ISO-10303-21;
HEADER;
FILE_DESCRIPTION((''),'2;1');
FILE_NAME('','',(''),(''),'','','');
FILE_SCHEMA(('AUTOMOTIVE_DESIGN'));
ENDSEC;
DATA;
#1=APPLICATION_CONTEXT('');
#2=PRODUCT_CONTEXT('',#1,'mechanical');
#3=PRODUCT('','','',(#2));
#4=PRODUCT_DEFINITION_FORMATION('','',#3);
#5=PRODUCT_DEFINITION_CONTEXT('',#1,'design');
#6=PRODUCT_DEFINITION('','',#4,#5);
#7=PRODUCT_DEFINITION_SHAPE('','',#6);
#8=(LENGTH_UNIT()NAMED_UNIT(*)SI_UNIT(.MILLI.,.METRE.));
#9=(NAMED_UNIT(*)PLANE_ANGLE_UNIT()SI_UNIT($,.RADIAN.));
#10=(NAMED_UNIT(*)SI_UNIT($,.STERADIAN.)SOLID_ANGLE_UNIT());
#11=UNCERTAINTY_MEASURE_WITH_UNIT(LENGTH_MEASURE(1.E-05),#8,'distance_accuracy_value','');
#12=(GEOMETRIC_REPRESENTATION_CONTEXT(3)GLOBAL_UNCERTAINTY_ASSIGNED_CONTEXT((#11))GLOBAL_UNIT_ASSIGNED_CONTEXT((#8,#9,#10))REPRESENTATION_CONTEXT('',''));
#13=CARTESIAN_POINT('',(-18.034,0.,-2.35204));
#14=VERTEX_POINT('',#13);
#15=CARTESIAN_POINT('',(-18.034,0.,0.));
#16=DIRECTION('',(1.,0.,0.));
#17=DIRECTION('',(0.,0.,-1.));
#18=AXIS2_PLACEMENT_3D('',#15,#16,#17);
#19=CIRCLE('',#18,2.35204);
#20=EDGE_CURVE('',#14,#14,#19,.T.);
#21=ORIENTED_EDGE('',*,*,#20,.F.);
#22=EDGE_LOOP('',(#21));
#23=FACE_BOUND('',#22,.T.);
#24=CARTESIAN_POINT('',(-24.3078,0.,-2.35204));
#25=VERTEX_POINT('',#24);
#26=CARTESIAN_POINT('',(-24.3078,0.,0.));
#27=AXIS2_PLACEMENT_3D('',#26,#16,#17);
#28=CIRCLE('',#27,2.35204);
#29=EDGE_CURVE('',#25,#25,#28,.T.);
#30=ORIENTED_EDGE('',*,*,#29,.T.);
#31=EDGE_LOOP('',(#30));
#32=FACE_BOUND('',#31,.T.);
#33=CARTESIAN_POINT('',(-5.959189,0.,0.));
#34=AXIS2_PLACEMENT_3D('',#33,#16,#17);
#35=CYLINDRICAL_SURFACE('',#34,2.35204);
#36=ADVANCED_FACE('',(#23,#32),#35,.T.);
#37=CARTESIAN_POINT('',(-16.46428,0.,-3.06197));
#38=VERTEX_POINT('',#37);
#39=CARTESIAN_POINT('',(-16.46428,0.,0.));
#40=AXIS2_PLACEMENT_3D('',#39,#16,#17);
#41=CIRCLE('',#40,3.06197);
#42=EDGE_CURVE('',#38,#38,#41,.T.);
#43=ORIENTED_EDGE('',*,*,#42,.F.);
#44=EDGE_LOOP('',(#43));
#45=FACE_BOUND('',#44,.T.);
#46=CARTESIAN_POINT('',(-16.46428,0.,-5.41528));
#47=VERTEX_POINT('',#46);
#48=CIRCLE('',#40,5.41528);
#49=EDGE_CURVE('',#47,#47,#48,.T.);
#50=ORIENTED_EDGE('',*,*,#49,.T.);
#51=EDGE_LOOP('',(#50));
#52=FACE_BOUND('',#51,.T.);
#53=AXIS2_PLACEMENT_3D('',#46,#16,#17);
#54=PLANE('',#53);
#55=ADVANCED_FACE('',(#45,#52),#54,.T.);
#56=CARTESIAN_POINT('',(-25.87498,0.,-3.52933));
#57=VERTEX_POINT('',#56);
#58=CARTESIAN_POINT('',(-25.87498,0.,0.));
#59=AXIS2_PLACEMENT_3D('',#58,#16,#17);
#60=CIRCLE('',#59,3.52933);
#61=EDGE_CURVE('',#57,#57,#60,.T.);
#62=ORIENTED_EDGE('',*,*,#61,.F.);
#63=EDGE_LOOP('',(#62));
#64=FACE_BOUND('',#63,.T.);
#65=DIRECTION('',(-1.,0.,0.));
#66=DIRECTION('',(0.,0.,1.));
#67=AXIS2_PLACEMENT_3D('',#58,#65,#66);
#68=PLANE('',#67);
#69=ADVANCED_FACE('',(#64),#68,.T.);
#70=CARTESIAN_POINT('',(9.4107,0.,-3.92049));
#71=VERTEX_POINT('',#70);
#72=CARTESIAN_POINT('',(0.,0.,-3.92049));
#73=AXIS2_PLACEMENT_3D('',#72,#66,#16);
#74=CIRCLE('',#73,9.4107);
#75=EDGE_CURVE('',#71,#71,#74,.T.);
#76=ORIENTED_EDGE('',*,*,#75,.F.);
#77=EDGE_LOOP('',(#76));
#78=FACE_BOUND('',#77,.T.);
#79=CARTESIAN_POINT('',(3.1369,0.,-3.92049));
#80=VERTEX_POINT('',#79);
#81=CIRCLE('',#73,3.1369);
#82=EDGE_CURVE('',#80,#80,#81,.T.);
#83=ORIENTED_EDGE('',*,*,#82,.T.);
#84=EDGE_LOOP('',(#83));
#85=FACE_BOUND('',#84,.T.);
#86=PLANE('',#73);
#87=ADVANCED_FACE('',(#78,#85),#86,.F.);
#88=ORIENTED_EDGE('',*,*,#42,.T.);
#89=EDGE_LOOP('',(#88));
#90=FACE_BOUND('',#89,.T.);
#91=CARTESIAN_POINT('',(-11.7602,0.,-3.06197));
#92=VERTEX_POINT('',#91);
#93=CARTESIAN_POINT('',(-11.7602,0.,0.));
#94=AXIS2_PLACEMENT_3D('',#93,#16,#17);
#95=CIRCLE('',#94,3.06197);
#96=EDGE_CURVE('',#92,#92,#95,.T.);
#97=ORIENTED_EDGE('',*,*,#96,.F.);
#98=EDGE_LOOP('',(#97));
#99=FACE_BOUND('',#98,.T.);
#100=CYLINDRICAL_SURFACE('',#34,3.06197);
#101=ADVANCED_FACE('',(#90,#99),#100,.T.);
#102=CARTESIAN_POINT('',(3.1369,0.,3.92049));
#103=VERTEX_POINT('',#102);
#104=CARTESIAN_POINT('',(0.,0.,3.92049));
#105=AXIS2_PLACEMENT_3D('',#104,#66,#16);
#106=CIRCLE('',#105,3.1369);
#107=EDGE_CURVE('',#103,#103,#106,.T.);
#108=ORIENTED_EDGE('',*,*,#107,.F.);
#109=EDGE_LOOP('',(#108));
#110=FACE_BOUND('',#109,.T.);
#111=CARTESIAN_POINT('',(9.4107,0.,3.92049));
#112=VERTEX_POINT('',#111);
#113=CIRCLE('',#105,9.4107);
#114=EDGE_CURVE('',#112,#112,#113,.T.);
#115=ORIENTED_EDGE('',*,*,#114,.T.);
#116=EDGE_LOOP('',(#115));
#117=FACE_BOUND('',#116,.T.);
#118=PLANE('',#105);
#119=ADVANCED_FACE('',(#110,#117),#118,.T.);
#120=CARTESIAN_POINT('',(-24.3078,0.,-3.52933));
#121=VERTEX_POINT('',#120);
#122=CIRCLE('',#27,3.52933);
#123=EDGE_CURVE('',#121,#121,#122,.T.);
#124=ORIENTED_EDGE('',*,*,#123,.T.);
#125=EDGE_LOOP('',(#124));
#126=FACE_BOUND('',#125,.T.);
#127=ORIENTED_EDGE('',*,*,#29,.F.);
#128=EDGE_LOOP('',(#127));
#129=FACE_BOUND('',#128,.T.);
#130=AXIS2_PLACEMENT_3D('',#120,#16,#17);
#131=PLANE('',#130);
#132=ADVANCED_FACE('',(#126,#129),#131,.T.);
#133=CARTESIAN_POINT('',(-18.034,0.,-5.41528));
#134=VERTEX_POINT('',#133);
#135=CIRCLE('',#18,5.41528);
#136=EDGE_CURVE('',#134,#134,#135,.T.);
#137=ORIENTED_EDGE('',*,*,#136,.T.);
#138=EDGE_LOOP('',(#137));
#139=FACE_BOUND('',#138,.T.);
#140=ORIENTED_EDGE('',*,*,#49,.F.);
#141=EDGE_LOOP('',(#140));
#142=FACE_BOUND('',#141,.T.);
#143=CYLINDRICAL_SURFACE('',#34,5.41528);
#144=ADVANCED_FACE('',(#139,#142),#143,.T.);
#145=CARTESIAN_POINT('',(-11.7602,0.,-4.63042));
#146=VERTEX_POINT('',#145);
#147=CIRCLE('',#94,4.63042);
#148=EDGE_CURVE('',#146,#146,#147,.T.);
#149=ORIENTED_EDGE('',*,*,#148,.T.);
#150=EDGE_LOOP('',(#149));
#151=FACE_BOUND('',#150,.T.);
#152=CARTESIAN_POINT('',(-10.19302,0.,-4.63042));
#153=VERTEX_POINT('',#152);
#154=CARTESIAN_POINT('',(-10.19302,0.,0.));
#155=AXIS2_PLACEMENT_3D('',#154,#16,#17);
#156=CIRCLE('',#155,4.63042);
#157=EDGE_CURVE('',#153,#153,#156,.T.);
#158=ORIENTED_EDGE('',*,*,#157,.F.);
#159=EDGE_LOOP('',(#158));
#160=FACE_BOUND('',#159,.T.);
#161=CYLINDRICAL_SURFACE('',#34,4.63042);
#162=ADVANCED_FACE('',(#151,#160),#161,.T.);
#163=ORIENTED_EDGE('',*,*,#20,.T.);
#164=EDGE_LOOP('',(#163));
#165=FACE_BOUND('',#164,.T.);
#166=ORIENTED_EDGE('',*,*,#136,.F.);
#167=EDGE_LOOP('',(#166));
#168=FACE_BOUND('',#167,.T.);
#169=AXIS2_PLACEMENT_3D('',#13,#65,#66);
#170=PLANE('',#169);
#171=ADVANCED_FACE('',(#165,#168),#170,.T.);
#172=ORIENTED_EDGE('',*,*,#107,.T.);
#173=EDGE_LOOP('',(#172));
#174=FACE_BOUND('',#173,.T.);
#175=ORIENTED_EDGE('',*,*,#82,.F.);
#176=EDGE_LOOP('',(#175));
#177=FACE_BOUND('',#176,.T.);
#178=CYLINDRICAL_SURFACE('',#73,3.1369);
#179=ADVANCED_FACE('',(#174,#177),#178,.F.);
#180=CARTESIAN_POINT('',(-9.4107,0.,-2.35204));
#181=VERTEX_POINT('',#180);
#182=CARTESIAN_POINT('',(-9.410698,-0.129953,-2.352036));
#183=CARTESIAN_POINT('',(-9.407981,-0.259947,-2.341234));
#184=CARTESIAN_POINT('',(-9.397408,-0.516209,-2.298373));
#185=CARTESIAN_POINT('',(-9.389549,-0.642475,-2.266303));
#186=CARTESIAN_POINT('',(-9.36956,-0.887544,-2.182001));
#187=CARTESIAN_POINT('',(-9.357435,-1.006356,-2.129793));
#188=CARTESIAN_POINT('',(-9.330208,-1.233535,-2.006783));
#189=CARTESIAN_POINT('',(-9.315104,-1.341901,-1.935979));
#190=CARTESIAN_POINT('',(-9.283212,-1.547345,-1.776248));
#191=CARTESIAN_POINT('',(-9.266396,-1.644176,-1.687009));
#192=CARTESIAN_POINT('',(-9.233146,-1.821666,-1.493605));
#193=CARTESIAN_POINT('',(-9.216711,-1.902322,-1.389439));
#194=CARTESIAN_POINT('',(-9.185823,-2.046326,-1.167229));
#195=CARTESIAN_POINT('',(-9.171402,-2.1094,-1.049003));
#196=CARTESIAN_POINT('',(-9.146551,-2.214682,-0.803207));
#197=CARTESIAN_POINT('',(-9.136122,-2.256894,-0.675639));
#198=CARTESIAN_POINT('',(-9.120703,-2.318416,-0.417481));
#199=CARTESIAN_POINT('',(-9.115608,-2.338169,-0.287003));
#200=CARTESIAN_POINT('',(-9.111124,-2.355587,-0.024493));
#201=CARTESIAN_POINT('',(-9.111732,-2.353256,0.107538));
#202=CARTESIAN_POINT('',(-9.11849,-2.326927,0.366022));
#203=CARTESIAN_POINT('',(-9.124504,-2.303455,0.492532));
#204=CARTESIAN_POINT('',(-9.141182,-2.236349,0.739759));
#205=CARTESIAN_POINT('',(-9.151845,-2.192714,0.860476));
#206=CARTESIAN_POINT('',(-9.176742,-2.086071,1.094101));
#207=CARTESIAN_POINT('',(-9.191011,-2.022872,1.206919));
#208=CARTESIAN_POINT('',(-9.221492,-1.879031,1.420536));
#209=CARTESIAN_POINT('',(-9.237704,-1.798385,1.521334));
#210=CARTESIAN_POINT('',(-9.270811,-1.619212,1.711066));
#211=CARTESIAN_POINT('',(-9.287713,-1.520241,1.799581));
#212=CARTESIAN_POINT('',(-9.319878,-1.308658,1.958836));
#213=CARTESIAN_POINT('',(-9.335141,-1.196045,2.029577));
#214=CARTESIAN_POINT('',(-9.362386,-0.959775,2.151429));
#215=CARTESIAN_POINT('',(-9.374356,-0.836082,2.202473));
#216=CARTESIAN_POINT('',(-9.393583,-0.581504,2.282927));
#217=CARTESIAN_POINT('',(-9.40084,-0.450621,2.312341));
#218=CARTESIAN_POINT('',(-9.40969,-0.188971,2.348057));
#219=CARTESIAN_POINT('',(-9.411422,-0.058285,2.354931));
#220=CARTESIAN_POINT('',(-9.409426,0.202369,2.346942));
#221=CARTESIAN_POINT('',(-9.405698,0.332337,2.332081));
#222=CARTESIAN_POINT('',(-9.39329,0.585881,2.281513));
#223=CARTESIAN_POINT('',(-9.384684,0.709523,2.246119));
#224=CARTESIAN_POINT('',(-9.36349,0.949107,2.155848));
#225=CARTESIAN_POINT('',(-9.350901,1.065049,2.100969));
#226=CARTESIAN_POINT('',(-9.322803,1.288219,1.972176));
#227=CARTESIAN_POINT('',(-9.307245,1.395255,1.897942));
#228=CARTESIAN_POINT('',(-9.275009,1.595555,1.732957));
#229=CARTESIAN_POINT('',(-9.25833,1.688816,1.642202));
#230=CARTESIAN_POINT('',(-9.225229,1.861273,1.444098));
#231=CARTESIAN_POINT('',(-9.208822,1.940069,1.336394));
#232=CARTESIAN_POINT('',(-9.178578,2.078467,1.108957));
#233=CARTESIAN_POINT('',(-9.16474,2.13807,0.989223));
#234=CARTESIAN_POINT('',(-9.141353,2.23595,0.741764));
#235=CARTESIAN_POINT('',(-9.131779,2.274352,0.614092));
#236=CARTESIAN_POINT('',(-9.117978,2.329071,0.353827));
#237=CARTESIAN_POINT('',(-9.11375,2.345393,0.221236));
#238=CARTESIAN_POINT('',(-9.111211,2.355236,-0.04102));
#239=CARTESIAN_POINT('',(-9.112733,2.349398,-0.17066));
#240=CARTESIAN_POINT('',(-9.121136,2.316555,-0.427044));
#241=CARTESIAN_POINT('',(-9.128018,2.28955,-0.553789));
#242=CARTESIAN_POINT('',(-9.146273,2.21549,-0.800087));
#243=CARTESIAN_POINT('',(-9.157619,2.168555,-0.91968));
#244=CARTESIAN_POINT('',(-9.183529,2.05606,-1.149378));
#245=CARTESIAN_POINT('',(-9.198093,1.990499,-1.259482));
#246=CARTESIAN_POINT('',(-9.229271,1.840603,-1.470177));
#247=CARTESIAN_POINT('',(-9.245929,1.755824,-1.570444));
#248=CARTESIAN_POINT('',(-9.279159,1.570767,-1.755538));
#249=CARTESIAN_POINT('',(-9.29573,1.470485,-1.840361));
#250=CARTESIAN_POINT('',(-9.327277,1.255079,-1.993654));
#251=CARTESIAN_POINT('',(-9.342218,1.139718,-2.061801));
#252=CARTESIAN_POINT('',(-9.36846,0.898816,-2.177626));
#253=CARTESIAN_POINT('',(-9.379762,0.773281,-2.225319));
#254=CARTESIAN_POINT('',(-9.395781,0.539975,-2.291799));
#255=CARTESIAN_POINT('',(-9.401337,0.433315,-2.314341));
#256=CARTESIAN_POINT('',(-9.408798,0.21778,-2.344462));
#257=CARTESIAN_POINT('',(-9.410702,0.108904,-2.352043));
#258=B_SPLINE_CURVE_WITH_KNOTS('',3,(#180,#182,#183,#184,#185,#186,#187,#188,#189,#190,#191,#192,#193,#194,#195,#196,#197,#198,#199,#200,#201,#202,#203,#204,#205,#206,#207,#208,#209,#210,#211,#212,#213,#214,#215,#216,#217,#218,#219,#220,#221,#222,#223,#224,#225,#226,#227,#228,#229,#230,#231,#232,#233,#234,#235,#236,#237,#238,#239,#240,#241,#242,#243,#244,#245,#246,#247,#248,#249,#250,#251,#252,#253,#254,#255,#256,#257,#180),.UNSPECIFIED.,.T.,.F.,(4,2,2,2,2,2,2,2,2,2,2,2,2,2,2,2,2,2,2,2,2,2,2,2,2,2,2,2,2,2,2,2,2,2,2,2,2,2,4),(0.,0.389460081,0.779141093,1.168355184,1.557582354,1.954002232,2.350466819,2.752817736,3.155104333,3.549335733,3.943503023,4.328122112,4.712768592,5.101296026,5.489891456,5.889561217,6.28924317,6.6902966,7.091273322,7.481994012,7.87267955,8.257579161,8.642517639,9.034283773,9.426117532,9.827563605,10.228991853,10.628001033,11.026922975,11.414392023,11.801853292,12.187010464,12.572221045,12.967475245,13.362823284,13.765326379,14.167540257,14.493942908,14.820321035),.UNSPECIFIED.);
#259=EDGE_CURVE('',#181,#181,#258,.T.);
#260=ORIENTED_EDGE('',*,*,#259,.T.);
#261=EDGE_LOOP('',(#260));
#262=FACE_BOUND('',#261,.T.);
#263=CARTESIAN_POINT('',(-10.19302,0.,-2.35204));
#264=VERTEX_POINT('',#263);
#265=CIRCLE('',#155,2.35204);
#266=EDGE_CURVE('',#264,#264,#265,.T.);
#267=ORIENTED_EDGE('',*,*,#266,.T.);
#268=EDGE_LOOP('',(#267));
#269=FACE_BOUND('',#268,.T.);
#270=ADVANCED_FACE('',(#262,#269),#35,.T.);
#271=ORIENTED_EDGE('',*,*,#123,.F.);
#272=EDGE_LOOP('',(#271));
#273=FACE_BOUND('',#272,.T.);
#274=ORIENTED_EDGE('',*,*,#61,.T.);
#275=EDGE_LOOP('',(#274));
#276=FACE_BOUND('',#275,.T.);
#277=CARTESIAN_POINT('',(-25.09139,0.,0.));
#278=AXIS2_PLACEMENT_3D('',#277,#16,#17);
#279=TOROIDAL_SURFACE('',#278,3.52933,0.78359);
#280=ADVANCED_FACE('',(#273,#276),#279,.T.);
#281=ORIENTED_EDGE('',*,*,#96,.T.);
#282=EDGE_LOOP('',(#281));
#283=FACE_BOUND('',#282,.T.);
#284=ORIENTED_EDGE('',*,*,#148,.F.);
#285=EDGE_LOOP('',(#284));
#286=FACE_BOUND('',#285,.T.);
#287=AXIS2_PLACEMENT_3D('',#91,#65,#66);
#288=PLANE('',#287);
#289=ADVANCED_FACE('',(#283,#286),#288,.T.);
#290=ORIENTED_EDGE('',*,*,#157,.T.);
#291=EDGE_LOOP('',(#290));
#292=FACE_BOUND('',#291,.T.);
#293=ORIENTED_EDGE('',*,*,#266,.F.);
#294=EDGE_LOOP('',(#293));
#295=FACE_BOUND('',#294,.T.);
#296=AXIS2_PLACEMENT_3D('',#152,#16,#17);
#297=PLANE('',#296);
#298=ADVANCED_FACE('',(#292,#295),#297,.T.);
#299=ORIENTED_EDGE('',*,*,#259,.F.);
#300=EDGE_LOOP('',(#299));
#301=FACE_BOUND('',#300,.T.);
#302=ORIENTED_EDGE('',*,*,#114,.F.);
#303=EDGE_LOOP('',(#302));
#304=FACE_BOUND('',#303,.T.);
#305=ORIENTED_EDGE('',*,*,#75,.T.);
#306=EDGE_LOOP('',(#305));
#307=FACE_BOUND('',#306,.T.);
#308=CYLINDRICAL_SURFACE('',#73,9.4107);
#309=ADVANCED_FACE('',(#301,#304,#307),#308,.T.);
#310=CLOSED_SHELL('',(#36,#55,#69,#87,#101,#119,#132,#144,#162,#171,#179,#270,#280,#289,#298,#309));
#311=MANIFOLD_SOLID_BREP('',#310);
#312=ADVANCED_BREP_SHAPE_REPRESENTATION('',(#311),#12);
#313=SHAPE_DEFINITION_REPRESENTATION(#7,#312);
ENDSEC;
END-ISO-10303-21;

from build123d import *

# Parameters (mm, degrees)
SKETCH1_R                = 9.4107
SKETCH1_R_2              = 3.1369
BOSS_EXTRUDE1_DEPTH      = 3.92049
BOSS_EXTRUDE1_DEPTH_BACK = 3.92049


with BuildPart() as part:
    # Sketch1 → Boss-Extrude1 (new body, two sides)
    with BuildSketch(Plane.XY) as boss_extrude1_sk:
        Circle(SKETCH1_R)
        Circle(SKETCH1_R_2, mode=Mode.SUBTRACT)
    extrude(amount=BOSS_EXTRUDE1_DEPTH)
    extrude(boss_extrude1_sk.sketch, amount=-BOSS_EXTRUDE1_DEPTH_BACK)

    # Sketch2 → Revolve1 (revolve)
    with BuildSketch(Plane(origin=(0, 0, 0), x_dir=(1, 0, 0), z_dir=(0, 1, 0))):
        with BuildLine():
            Line((-5.959188984, 0), (-25.87498, 0))
            Line((-25.87498, 0), (-25.87498, 3.52933))
            ThreePointArc((-25.87498, 3.52933), (-25.09139, 4.31292), (-24.3078, 3.52933))
            Line((-24.3078, 3.52933), (-24.3078, 2.35204))
            Line((-24.3078, 2.35204), (-18.034, 2.35204))
            Line((-18.034, 2.35204), (-18.034, 5.41528))
            Line((-18.034, 5.41528), (-16.46428, 5.41528))
            Line((-16.46428, 5.41528), (-16.46428, 3.06197))
            Line((-16.46428, 3.06197), (-11.7602, 3.06197))
            Line((-11.7602, 3.06197), (-11.7602, 4.63042))
            Line((-11.7602, 4.63042), (-10.19302, 4.63042))
            Line((-10.19302, 4.63042), (-10.19302, 2.35204))
            Line((-10.19302, 2.35204), (-5.959188984, 2.35204))
            Line((-5.959188984, 2.35204), (-5.959188984, 0))
        make_face()
    revolve(axis=Axis((-5.959188984, 0, 0), (-1, 0, 0)))


solid = part.part
